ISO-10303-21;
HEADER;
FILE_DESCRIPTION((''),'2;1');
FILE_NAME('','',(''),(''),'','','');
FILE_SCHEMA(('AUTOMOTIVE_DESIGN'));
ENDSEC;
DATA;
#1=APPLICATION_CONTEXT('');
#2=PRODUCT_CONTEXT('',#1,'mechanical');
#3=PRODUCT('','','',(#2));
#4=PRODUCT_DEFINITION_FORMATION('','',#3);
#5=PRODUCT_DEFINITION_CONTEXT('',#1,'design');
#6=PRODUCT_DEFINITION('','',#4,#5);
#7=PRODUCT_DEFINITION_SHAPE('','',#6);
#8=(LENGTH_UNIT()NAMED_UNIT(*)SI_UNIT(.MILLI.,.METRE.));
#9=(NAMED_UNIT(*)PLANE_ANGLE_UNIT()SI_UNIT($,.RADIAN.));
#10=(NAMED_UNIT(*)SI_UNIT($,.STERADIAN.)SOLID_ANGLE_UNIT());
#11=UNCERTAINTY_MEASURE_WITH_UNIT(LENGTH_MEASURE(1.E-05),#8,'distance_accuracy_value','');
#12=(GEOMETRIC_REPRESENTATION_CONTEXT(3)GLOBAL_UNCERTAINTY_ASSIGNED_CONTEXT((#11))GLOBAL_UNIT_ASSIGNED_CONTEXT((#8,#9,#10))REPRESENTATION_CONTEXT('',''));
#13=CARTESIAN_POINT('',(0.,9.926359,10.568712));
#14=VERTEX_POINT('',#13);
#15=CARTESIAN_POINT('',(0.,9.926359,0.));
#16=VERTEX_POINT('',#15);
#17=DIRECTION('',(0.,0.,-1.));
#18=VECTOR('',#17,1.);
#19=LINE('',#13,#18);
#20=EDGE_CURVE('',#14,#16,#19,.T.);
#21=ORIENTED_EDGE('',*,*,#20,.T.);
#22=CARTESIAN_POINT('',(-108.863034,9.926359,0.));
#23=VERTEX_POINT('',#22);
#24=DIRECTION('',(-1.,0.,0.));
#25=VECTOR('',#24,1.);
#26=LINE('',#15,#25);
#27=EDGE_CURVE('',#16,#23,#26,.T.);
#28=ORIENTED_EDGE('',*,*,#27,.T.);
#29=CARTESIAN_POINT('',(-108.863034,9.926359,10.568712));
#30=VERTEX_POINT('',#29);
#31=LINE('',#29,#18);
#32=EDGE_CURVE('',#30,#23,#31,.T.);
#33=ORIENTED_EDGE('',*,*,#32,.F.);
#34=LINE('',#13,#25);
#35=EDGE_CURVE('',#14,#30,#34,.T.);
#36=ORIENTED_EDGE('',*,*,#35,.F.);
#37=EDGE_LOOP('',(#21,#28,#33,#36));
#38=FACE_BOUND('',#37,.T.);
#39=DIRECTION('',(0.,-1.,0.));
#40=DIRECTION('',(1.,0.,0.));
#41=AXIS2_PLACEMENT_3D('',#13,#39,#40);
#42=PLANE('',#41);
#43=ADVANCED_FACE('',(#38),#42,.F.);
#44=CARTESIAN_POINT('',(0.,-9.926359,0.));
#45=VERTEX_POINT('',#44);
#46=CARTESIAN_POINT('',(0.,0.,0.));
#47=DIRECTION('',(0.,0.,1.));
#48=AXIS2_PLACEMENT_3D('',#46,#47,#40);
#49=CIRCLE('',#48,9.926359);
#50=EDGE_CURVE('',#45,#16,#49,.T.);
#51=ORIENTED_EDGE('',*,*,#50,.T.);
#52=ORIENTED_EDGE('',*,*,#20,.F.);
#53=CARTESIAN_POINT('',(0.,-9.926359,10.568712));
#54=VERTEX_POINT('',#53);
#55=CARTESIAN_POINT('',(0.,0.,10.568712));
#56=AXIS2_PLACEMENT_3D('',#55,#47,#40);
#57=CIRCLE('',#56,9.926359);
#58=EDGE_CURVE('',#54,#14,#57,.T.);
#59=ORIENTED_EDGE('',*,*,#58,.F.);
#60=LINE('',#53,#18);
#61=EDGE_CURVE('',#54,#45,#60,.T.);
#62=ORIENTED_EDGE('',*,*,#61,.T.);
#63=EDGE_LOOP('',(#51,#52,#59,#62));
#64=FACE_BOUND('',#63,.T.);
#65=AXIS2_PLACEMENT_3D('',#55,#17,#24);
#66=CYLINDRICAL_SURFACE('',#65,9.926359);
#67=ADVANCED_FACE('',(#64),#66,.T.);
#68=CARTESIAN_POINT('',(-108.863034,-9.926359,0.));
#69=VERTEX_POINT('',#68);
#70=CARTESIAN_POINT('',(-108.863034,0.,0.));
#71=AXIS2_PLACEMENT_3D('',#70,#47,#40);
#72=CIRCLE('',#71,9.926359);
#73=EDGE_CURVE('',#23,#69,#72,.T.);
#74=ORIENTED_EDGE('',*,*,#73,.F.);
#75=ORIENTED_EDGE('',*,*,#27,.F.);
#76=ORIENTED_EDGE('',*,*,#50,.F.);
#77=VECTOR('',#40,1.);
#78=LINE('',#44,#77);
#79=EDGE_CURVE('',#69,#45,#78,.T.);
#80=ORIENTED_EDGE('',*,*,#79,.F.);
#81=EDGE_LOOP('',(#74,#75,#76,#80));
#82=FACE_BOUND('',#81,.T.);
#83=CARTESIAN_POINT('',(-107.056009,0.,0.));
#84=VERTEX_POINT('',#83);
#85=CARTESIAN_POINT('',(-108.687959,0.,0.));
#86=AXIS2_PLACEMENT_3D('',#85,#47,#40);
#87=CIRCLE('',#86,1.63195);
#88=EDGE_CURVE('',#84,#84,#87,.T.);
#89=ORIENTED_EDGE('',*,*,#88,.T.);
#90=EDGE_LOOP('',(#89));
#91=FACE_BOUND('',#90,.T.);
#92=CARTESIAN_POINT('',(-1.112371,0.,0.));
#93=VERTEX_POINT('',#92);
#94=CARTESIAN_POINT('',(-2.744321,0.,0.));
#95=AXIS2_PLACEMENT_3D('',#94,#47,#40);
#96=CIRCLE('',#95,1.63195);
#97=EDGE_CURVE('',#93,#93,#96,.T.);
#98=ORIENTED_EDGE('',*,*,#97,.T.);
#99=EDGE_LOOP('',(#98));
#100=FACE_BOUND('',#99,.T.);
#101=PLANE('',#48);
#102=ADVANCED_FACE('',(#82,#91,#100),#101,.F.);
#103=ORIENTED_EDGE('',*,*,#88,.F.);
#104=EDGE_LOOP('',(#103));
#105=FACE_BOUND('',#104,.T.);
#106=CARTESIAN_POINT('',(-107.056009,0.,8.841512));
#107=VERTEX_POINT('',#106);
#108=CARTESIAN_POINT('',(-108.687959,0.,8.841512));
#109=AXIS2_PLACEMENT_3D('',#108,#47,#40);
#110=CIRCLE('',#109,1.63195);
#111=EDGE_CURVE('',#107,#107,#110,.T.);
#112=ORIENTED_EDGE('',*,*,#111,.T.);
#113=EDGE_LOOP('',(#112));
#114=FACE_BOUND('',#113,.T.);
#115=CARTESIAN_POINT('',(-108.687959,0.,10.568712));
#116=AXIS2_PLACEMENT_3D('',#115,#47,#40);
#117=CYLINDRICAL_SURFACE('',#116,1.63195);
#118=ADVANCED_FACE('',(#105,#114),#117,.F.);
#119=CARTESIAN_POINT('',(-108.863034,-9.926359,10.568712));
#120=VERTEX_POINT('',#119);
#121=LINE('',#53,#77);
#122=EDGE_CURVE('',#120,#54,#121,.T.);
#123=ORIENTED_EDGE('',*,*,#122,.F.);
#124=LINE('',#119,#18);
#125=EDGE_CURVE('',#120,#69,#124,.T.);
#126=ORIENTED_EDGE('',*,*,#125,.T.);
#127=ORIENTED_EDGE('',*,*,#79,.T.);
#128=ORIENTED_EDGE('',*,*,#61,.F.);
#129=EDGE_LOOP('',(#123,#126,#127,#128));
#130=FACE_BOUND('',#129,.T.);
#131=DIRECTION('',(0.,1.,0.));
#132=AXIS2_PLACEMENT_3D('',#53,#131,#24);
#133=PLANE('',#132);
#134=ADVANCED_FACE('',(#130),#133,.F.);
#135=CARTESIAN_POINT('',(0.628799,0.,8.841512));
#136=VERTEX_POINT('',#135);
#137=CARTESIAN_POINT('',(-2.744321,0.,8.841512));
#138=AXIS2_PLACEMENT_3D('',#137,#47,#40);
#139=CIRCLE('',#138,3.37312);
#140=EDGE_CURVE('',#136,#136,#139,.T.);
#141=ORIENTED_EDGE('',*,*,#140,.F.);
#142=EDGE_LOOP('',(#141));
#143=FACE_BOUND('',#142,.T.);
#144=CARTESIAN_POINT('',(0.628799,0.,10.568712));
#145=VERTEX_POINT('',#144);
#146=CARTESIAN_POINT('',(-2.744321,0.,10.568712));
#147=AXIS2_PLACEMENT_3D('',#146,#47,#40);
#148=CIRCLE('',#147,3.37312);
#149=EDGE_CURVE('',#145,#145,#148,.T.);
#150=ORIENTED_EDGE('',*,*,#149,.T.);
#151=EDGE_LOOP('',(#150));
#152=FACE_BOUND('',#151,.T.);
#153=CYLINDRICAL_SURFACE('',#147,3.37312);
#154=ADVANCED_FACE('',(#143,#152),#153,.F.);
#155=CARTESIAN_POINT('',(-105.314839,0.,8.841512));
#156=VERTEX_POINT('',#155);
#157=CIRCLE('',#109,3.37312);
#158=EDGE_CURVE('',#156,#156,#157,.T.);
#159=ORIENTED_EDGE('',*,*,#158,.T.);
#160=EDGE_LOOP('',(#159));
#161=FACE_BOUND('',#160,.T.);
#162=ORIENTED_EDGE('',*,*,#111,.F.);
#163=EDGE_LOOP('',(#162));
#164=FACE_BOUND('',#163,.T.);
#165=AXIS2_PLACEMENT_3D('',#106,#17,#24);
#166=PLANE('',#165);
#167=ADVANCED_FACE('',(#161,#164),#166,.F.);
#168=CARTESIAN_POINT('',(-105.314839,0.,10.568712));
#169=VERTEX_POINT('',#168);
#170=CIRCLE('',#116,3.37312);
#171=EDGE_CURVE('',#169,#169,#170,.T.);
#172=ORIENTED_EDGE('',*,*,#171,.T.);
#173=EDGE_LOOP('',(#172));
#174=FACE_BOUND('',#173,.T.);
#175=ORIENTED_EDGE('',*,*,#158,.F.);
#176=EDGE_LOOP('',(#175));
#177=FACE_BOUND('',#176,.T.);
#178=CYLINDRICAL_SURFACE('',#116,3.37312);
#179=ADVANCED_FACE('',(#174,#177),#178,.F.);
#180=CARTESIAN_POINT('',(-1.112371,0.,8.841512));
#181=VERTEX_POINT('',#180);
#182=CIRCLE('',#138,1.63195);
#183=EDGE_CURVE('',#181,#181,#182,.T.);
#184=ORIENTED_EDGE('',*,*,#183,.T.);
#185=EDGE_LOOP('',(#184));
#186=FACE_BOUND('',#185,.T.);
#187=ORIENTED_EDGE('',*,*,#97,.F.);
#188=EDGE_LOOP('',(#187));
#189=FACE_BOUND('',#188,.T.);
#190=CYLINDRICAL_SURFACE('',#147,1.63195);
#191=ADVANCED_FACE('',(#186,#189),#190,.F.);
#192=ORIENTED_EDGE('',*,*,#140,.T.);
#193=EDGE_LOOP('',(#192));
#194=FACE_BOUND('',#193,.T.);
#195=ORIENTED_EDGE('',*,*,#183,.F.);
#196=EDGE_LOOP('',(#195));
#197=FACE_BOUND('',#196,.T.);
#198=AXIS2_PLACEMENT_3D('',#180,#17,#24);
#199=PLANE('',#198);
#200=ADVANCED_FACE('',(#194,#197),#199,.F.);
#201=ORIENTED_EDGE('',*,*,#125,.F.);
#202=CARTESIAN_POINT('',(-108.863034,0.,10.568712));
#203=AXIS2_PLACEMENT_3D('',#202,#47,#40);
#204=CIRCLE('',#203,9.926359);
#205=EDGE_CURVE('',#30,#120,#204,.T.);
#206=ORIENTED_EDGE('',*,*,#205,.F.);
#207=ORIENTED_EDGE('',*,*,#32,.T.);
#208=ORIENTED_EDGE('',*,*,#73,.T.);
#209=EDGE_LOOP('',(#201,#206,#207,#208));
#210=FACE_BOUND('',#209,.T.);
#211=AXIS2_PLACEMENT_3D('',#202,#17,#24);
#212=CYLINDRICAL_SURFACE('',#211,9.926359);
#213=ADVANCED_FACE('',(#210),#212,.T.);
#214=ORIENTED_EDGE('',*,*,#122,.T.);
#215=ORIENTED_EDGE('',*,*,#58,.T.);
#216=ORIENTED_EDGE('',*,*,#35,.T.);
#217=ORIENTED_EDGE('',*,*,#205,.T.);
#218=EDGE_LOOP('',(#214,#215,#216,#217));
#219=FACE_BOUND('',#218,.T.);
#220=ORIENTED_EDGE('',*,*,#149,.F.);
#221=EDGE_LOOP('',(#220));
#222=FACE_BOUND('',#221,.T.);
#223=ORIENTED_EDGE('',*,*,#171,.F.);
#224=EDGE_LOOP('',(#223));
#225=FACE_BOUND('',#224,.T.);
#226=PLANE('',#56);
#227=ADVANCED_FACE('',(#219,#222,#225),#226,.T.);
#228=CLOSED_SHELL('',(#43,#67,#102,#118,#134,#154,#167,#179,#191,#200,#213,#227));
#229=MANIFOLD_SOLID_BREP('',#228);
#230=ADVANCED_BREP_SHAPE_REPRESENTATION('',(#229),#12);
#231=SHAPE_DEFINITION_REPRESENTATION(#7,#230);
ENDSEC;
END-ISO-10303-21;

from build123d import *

# Parameters (mm, degrees)
BOSS_EXTRUDE1_DEPTH                                 = 10.568712475
CBORE_FOR_4_BINDING_HEAD_MACHINE_SCREW1_D           = 3.2639
CBORE_FOR_4_BINDING_HEAD_MACHINE_SCREW1_CBORE_D     = 6.74624
CBORE_FOR_4_BINDING_HEAD_MACHINE_SCREW1_CBORE_DEPTH = 1.7272
CBORE_FOR_4_BINDING_HEAD_MACHINE_SCREW2_D           = 3.2639
CBORE_FOR_4_BINDING_HEAD_MACHINE_SCREW2_CBORE_D     = 6.74624
CBORE_FOR_4_BINDING_HEAD_MACHINE_SCREW2_CBORE_DEPTH = 1.7272


with BuildPart() as part:
    # Sketch1 → Boss-Extrude1 (new body)
    with BuildSketch(Plane.XY):
        with BuildLine():
            Line((0, -9.926359007), (-108.863033935, -9.926359007))
            ThreePointArc((-108.863033935, -9.926359007), (-118.789392942, 0), (-108.863033935, 9.926359007))
            Line((-108.863033935, 9.926359007), (0, 9.926359007))
            ThreePointArc((0, 9.926359007), (9.926359007, 0), (0, -9.926359007))
        make_face()
    extrude(amount=BOSS_EXTRUDE1_DEPTH)

    # CBORE for #4 Binding Head Machine Screw1 (through all)
    with Locations(Plane.XY.offset(10.568712475)):
        with Locations((-2.744321225, 0)):
            CounterBoreHole(CBORE_FOR_4_BINDING_HEAD_MACHINE_SCREW1_D / 2, CBORE_FOR_4_BINDING_HEAD_MACHINE_SCREW1_CBORE_D / 2, CBORE_FOR_4_BINDING_HEAD_MACHINE_SCREW1_CBORE_DEPTH)

    # CBORE for #4 Binding Head Machine Screw2 (through all)
    with Locations(Plane.XY.offset(10.568712475)):
        with Locations((-108.687959282, 0)):
            CounterBoreHole(CBORE_FOR_4_BINDING_HEAD_MACHINE_SCREW2_D / 2, CBORE_FOR_4_BINDING_HEAD_MACHINE_SCREW2_CBORE_D / 2, CBORE_FOR_4_BINDING_HEAD_MACHINE_SCREW2_CBORE_DEPTH)


solid = part.part
